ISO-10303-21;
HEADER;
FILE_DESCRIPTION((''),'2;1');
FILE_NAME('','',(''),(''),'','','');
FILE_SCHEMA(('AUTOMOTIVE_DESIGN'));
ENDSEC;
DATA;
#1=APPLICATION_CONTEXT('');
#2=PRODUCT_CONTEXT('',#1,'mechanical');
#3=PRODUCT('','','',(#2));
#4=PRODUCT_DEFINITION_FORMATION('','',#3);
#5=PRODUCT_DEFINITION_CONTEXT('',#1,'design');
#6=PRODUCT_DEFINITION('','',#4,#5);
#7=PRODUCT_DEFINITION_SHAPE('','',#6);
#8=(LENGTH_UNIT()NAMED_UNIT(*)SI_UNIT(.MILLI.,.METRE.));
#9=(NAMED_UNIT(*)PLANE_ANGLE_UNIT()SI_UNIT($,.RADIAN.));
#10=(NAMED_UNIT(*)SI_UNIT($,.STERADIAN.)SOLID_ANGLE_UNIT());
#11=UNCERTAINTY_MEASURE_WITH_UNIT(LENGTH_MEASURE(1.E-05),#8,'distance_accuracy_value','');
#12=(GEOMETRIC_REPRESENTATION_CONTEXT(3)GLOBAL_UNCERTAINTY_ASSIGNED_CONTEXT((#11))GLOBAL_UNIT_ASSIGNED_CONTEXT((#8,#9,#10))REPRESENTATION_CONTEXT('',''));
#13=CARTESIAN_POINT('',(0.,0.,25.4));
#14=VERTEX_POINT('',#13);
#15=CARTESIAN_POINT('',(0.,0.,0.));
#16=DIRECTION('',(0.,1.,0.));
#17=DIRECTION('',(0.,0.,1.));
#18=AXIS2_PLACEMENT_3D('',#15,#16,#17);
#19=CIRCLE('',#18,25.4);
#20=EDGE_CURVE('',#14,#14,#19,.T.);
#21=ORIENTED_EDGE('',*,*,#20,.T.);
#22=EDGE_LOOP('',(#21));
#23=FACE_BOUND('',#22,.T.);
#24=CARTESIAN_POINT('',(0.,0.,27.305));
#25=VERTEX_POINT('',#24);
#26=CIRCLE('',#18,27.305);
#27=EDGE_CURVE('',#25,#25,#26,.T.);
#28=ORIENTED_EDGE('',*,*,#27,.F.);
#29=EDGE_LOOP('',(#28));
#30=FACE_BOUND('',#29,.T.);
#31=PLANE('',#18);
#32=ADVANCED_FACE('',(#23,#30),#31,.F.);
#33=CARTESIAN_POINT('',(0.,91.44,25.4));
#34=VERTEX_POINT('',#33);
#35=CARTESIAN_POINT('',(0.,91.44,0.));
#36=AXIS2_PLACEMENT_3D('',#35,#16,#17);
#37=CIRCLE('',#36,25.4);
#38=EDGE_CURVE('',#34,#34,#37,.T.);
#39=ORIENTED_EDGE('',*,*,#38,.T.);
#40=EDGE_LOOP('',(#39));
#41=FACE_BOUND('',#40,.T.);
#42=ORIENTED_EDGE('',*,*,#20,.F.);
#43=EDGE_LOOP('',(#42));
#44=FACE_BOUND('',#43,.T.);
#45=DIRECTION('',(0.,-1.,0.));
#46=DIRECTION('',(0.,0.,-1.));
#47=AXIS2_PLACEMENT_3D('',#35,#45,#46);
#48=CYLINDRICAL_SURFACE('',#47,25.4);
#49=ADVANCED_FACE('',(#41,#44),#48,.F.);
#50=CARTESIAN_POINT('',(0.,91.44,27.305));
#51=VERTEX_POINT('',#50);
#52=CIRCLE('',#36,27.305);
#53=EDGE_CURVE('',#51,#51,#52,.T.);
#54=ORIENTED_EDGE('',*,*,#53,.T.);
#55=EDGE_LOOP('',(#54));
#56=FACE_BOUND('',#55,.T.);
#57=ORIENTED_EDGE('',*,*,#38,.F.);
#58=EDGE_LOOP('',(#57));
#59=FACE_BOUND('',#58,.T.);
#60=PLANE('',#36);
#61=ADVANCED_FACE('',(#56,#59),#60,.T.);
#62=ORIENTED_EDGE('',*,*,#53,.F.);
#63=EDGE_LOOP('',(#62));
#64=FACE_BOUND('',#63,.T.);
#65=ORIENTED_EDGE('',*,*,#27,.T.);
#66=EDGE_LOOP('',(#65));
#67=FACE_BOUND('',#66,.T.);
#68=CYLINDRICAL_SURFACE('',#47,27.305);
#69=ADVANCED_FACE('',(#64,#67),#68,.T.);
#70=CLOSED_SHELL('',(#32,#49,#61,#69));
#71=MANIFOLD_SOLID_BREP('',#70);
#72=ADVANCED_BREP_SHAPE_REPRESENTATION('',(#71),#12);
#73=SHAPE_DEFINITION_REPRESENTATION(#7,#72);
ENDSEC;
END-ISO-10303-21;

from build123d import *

# Parameters (mm, degrees)
SKETCH1_R           = 27.305
SKETCH1_R_2         = 25.4
BOSS_EXTRUDE1_DEPTH = 91.44


with BuildPart() as part:
    # Sketch1 → Boss-Extrude1 (new body)
    with BuildSketch(Plane(origin=(0, 0, 0), x_dir=(1, 0, 0), z_dir=(0, 1, 0))):
        Circle(SKETCH1_R)
        Circle(SKETCH1_R_2, mode=Mode.SUBTRACT)
    extrude(amount=BOSS_EXTRUDE1_DEPTH)


solid = part.part
